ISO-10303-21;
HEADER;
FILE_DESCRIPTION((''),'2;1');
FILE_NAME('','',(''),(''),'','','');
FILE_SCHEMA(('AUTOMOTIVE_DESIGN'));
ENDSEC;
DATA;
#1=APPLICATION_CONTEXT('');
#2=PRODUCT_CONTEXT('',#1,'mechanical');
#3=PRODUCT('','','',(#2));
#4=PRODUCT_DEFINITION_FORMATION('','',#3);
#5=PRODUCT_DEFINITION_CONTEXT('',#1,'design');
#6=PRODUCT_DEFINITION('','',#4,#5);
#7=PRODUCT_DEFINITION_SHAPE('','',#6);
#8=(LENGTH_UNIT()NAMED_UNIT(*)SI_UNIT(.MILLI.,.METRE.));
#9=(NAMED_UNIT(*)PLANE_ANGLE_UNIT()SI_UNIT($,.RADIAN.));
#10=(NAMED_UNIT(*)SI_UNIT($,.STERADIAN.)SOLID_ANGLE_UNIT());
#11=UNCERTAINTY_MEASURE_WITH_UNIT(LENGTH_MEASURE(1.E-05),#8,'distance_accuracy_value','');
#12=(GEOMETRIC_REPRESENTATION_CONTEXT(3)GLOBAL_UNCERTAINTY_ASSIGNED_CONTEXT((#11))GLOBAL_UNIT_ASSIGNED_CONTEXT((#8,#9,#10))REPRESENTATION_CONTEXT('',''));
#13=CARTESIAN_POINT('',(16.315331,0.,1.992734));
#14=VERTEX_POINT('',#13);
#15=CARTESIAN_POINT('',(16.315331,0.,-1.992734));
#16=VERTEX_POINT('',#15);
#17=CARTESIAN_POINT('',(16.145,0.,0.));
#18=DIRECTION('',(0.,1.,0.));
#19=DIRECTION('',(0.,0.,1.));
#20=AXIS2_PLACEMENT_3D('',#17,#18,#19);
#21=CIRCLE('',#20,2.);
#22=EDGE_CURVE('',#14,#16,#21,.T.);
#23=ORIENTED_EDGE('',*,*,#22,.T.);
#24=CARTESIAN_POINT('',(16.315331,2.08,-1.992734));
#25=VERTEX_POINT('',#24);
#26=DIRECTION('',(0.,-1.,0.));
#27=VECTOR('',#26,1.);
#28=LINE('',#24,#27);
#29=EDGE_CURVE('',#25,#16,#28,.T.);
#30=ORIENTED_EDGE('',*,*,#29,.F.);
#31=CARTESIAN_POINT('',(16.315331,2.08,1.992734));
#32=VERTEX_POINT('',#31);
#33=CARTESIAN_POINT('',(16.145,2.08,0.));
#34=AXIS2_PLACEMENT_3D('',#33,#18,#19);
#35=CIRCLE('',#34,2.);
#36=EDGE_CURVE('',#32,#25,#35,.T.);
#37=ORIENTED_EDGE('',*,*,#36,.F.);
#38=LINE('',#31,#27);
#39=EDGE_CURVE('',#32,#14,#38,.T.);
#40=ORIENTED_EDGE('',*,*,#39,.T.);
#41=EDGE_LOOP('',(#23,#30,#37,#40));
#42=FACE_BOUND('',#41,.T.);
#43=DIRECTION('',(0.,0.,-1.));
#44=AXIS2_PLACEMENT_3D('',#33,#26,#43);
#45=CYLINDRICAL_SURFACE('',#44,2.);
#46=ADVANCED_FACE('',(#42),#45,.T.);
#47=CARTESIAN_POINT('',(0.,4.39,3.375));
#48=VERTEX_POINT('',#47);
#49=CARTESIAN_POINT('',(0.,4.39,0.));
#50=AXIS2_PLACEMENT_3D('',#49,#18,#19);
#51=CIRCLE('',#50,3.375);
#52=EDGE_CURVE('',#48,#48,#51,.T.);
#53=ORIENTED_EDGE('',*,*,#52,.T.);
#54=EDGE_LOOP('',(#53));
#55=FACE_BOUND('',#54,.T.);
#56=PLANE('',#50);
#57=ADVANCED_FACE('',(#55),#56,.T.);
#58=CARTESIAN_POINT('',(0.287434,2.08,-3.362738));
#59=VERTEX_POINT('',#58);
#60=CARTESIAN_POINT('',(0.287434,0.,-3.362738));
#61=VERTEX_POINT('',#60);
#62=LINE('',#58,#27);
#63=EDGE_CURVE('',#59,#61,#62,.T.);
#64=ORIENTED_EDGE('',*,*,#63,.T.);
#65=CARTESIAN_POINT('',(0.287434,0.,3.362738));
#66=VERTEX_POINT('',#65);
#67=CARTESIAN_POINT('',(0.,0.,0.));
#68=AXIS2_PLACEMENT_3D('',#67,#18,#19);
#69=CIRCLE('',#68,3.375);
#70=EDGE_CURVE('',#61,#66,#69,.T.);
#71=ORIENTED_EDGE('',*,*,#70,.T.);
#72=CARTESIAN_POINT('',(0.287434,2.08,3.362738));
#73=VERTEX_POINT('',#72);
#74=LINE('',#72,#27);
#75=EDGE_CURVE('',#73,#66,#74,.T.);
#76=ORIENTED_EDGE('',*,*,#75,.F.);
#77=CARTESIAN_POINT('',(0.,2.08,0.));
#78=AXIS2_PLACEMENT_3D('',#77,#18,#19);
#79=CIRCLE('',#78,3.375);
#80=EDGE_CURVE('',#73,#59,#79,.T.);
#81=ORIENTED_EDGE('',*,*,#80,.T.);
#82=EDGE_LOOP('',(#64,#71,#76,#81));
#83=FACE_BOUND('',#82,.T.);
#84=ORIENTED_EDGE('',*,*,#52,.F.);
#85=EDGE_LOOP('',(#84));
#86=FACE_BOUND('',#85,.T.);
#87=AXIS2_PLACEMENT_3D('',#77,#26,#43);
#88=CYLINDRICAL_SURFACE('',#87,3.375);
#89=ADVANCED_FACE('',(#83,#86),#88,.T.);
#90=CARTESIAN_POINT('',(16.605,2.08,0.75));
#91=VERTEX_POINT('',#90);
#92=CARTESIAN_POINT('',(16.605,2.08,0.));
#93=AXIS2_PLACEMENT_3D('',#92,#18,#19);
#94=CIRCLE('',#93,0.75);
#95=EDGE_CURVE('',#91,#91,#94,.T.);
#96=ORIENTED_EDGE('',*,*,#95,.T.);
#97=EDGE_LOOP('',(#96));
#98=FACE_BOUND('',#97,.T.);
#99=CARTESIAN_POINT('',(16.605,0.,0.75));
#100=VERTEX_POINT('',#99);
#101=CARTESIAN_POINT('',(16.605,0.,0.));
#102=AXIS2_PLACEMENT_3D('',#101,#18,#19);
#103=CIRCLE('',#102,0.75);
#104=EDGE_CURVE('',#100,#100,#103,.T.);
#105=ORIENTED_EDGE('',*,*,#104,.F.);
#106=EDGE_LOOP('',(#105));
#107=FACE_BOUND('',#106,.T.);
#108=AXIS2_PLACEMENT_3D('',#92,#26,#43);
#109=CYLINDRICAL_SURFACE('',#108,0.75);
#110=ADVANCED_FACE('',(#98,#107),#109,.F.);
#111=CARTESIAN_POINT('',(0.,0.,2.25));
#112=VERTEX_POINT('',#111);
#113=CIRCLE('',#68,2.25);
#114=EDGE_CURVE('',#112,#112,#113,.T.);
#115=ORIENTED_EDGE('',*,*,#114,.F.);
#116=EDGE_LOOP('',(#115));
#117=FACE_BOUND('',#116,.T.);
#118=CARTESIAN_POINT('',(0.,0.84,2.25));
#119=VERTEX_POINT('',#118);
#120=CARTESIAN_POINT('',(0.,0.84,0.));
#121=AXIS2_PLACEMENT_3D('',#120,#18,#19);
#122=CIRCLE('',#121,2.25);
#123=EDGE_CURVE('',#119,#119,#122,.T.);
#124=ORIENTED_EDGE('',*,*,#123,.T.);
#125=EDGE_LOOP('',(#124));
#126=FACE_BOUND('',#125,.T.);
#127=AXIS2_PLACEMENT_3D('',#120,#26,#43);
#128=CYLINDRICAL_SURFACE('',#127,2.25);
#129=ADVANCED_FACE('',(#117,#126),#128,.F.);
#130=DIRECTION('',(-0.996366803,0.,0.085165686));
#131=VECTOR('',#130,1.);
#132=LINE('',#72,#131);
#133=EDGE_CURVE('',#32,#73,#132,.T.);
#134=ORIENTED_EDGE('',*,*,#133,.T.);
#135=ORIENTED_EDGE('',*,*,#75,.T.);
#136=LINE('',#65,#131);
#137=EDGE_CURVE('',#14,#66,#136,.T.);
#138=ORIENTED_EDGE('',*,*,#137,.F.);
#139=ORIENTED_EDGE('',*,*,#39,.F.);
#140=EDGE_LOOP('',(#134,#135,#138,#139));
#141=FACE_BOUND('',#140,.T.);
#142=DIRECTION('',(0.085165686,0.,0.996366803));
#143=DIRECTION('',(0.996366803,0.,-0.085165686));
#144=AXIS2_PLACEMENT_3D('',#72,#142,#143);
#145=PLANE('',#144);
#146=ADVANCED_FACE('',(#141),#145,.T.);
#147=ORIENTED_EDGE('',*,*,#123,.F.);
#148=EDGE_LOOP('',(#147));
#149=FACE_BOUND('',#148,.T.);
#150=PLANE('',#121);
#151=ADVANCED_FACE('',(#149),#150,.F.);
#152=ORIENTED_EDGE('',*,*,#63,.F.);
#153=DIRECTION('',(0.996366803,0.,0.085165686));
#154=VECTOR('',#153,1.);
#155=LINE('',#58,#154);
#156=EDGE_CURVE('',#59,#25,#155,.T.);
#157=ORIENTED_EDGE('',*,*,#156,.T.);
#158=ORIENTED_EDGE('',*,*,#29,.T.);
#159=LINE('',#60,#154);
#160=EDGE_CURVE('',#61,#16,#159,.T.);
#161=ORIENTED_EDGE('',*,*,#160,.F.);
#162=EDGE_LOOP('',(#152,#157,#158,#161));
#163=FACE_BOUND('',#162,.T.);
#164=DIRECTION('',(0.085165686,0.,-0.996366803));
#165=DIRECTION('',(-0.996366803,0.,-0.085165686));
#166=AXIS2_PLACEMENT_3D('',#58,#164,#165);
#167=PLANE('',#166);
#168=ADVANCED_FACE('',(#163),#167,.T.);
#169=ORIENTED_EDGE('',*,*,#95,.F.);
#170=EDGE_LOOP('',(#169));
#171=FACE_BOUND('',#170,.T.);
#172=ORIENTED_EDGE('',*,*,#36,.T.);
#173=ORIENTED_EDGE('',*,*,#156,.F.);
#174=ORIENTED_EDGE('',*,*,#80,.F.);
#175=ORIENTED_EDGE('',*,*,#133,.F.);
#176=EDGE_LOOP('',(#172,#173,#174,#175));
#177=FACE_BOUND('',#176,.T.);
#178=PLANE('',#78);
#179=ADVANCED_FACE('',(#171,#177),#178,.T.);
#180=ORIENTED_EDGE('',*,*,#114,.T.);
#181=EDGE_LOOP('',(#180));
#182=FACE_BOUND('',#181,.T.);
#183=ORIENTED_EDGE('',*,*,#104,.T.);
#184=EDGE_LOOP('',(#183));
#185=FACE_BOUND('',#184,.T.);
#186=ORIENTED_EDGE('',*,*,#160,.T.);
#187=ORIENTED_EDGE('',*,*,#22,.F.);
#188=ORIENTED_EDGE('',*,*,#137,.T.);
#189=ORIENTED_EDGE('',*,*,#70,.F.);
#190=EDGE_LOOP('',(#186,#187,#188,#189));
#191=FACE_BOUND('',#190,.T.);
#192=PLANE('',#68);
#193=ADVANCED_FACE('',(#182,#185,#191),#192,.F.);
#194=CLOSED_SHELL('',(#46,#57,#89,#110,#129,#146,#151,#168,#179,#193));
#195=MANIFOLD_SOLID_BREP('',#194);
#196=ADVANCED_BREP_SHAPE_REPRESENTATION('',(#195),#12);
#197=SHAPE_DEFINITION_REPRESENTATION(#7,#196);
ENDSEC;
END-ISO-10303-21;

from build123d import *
from build123d.topology import SkipClean

# Parameters (mm, degrees)
SKETCH1_R           = 0.75
BOSS_EXTRUDE1_DEPTH = 2.08
SKETCH2_R           = 3.375
BOSS_EXTRUDE2_DEPTH = 2.31
SKETCH3_R           = 2.25
CUT_EXTRUDE1_DEPTH  = 0.84


with BuildPart() as part:
    # Sketch1 → Boss-Extrude1 (new body)
    with BuildSketch(Plane(origin=(0, 0, 0), x_dir=(1, 0, 0), z_dir=(0, 1, 0))):
        with BuildLine():
            Line((0.28743419, 3.36273796), (16.315331372, 1.992733606))
            ThreePointArc((16.315331372, 1.992733606), (18.145, 0), (16.315331372, -1.992733606))
            Line((16.315331372, -1.992733606), (0.28743419, -3.36273796))
            ThreePointArc((0.28743419, -3.36273796), (-3.375, 0), (0.28743419, 3.36273796))
        make_face()
        with Locations(Location((16.605, 0, 0), (0, 0, 270))):
            Circle(SKETCH1_R, mode=Mode.SUBTRACT)
    extrude(amount=BOSS_EXTRUDE1_DEPTH)

    # Sketch2 → Boss-Extrude2 (add)
    with SkipClean():  # the faces are left unmerged after this step: merging them gives an invalid solid
        with BuildSketch(Plane(origin=(0, 2.08, 0), x_dir=(1, 0, 0), z_dir=(0, 1, 0))):
            with Locations(Location((0, 0, 0), (0, 0, 85.114447475))):
                Circle(SKETCH2_R)
        extrude(amount=BOSS_EXTRUDE2_DEPTH)

    # Sketch3 → Cut-Extrude1 (cut)
    with SkipClean():  # the faces are left unmerged after this step: merging them gives an invalid solid
        with BuildSketch(Plane(origin=(0, 0, 0), x_dir=(1, 0, 0), z_dir=(0, 1, 0))):
            with Locations(Location((0, 0, 0), (0, 0, 270))):
                Circle(SKETCH3_R)
        extrude(amount=CUT_EXTRUDE1_DEPTH, mode=Mode.SUBTRACT)


solid = part.part
